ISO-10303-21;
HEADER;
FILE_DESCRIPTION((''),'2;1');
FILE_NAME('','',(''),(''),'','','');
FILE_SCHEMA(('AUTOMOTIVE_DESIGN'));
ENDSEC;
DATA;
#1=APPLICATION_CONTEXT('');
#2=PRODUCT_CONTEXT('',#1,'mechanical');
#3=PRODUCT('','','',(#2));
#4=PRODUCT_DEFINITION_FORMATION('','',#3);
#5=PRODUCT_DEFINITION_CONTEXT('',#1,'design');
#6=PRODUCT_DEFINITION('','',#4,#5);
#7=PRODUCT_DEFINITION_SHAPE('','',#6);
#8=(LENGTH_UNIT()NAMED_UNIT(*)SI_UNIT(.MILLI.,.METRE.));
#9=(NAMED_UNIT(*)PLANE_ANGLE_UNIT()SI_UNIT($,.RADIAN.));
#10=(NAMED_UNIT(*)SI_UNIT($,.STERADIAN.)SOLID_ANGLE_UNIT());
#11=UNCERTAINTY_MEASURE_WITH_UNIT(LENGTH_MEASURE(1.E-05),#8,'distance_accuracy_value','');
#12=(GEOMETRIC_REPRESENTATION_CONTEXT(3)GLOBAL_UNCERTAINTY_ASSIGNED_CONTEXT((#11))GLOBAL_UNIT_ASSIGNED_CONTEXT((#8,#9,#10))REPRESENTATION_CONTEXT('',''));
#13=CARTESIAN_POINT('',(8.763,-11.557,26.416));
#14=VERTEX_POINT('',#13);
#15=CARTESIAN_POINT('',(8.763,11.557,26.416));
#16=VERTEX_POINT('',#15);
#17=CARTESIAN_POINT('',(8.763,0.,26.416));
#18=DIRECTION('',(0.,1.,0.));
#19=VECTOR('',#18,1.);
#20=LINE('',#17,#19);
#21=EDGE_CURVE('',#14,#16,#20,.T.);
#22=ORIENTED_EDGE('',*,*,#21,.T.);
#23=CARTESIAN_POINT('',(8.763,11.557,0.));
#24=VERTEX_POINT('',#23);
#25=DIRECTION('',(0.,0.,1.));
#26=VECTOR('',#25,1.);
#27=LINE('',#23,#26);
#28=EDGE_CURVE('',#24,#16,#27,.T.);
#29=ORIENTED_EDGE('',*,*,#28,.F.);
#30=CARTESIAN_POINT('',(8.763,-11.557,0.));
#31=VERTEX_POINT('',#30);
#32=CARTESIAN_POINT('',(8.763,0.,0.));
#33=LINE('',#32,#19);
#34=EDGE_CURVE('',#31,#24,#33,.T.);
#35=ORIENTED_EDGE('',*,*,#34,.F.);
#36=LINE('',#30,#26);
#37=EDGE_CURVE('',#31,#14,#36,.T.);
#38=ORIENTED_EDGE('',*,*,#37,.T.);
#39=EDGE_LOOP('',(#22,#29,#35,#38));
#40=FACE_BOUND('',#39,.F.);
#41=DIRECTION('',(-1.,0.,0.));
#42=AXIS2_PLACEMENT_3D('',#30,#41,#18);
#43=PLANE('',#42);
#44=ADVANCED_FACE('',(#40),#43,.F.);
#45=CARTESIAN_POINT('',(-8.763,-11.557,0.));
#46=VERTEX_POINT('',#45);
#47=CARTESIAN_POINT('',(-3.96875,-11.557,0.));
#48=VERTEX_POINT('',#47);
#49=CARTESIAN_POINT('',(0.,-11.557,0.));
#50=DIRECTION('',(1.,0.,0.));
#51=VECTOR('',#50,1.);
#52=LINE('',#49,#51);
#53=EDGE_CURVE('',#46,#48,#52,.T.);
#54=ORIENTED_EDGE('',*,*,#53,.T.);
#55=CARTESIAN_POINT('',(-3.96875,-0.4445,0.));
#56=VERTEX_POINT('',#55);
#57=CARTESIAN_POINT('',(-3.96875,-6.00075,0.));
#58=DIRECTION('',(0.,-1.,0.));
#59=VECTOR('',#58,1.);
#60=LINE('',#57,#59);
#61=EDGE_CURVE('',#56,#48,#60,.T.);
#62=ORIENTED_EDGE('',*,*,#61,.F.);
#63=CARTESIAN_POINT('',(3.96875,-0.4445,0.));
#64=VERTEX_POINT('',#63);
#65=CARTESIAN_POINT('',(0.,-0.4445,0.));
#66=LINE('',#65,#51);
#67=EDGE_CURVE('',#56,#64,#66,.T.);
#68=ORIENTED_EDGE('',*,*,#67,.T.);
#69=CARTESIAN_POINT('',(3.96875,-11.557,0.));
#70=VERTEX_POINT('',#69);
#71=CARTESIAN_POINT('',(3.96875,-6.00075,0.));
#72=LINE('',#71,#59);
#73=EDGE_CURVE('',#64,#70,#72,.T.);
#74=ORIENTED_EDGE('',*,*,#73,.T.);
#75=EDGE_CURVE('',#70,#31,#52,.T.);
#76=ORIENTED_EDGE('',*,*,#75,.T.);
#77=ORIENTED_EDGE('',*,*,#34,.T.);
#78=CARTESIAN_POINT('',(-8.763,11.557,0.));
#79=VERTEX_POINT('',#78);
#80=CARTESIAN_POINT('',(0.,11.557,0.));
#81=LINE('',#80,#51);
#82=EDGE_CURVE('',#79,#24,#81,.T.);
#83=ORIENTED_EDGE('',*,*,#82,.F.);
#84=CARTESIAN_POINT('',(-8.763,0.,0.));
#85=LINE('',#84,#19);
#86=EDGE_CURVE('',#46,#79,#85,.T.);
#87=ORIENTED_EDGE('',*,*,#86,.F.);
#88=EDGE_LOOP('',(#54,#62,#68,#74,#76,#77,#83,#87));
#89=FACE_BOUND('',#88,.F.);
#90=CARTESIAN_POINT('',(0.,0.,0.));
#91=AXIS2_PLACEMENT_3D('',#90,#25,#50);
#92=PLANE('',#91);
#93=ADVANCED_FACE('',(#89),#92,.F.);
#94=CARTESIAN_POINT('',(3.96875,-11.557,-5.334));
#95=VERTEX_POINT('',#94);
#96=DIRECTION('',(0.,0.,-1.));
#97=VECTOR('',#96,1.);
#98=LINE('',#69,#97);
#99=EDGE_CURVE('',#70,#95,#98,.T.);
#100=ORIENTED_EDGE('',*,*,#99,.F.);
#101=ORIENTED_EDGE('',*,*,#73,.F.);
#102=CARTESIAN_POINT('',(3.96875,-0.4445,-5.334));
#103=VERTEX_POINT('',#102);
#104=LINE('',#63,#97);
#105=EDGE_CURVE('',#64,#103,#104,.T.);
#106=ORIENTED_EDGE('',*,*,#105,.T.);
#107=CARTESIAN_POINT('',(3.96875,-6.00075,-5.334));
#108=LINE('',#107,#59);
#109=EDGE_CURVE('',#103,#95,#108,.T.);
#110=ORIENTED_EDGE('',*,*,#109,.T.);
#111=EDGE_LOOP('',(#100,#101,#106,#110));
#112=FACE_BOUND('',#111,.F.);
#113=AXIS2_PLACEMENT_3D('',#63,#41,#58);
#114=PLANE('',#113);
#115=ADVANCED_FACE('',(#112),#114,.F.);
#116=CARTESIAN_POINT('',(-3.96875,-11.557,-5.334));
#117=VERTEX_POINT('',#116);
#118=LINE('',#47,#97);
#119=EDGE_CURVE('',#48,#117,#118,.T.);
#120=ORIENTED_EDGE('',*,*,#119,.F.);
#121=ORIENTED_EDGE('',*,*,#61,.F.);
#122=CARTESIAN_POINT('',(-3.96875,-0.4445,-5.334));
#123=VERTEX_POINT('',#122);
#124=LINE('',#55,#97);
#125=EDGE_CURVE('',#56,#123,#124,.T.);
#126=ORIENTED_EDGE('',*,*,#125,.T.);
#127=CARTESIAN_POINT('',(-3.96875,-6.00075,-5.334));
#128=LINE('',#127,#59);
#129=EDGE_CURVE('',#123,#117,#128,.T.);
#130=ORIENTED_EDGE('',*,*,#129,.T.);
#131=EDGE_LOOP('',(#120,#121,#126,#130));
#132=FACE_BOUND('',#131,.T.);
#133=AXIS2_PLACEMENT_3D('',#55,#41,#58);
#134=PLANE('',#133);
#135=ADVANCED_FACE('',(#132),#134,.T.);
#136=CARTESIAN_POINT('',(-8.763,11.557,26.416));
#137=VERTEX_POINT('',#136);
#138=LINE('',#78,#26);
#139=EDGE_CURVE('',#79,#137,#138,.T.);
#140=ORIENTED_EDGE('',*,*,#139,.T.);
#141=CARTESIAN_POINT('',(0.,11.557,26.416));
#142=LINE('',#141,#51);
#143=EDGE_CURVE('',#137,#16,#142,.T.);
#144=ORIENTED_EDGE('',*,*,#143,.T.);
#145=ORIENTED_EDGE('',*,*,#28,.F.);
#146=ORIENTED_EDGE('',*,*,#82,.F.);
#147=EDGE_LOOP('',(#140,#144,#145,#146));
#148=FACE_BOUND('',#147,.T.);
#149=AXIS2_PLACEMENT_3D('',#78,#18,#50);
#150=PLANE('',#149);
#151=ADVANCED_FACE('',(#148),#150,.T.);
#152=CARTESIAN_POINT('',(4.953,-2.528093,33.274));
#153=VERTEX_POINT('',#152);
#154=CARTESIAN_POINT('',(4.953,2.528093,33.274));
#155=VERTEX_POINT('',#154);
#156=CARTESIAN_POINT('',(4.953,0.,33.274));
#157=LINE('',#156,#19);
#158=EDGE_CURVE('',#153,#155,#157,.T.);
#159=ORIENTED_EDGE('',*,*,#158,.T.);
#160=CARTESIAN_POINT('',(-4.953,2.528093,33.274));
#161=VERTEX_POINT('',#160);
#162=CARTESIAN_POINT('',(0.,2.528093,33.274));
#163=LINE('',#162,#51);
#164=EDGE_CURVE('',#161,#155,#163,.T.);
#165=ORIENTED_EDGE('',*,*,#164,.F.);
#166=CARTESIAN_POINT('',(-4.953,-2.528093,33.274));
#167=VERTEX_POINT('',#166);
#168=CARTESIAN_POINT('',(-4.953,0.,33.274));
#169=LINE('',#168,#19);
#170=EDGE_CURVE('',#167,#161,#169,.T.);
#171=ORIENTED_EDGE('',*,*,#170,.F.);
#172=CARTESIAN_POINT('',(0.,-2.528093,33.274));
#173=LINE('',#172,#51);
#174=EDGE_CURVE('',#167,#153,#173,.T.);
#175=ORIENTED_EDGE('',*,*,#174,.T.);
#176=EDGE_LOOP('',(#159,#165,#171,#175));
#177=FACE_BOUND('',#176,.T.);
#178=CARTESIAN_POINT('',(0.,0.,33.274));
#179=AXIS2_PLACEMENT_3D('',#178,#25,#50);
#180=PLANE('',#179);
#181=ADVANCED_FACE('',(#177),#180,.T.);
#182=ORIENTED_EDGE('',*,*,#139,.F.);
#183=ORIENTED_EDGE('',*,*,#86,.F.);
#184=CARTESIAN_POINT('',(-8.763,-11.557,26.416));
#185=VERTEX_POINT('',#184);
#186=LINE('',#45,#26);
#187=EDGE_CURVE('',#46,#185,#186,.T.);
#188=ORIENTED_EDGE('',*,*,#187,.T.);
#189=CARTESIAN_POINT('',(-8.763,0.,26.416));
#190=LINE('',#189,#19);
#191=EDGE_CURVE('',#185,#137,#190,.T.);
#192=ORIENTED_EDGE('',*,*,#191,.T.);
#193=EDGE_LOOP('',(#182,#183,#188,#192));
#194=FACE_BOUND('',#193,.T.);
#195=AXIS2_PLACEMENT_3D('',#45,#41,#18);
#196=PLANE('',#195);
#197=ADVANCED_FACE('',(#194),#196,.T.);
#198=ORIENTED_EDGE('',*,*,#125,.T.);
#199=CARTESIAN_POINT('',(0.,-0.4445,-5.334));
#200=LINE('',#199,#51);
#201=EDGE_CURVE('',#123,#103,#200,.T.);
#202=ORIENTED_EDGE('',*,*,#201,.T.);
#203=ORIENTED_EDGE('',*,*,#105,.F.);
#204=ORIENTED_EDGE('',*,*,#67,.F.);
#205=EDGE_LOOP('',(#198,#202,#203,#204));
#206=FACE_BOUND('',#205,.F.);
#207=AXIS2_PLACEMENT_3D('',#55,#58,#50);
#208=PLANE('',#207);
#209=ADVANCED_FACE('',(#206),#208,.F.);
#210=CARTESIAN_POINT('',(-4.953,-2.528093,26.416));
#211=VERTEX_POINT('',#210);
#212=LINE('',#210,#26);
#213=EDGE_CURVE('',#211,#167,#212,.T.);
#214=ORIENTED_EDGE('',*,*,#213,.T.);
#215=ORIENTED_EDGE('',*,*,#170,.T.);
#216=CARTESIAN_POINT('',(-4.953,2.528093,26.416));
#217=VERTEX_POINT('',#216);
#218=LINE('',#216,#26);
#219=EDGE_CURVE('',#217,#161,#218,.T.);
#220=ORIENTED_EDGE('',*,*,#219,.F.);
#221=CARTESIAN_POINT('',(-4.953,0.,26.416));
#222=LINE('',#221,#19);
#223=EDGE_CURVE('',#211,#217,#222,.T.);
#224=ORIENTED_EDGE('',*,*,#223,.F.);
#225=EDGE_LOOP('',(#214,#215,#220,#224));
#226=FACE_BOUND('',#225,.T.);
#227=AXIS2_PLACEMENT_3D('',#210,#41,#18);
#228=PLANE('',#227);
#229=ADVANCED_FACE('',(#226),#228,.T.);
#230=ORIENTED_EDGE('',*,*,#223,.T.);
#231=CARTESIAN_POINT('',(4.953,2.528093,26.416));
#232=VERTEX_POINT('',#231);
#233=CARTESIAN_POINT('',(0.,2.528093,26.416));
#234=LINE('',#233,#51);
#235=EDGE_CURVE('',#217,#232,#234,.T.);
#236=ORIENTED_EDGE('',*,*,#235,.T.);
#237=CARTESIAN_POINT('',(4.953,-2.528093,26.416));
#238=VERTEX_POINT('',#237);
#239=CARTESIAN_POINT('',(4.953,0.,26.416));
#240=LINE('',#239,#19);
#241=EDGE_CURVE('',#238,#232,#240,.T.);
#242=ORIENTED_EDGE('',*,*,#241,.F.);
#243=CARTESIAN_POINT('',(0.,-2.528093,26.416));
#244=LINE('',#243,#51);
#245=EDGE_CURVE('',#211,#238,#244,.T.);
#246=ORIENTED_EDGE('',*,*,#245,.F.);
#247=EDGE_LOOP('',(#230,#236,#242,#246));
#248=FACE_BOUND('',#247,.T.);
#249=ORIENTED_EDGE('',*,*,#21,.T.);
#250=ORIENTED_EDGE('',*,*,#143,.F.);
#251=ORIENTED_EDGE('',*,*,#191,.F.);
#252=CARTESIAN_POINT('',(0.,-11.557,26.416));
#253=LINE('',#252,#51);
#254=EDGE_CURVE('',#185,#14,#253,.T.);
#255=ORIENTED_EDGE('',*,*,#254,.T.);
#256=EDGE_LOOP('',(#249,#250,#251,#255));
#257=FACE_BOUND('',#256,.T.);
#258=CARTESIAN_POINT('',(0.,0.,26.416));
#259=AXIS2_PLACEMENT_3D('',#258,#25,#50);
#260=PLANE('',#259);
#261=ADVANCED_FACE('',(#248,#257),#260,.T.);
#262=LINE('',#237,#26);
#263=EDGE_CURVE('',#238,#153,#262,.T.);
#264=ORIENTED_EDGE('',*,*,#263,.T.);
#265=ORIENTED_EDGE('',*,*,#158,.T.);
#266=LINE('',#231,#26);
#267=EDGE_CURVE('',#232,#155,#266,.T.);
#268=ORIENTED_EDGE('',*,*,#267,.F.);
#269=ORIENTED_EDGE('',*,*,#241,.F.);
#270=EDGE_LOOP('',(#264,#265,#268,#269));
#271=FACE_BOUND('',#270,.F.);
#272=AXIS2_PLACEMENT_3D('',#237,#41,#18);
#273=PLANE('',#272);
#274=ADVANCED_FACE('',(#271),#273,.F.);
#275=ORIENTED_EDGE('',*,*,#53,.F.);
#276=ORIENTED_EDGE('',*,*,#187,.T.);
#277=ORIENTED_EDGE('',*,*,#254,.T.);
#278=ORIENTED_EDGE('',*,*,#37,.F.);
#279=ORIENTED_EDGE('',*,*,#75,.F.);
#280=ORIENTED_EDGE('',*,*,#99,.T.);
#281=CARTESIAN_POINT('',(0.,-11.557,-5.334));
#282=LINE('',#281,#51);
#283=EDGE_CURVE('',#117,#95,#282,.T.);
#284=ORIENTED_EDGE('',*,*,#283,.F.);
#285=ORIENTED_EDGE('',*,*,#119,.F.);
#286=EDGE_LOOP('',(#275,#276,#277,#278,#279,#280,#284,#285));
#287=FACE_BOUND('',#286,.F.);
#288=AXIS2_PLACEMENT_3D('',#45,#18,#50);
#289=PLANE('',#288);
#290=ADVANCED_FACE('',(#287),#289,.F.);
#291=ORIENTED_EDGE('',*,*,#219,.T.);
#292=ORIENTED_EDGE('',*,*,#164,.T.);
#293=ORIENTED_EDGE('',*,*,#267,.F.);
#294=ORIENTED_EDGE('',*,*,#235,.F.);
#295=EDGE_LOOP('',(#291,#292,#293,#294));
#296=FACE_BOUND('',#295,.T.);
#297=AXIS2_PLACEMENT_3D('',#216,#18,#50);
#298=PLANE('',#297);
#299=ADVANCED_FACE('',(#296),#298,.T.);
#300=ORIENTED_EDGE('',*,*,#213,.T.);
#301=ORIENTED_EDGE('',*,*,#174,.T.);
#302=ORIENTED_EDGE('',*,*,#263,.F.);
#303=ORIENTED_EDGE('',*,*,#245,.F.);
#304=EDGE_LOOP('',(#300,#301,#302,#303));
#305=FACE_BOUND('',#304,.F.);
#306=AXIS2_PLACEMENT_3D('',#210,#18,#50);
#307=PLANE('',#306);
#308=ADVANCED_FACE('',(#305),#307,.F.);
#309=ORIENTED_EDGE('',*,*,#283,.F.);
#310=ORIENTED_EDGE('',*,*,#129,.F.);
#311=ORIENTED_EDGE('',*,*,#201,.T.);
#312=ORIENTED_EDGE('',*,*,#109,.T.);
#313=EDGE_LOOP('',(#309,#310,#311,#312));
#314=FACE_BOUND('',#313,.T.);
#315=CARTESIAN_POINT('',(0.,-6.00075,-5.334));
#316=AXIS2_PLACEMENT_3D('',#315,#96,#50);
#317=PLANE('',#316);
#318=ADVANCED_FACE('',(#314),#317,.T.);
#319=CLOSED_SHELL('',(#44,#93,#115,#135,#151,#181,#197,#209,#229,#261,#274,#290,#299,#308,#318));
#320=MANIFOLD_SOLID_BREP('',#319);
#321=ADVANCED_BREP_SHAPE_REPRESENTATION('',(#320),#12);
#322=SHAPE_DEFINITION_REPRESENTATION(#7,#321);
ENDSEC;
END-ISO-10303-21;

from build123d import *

# Parameters (mm, degrees)
F0_W     = 17.526
F0_H     = 23.114
F1_DEPTH = 26.416
F2_W     = 9.906
F2_H     = 5.056186
F3_DEPTH = 6.858
F4_W     = 7.9375
F4_H     = 11.1125
F5_DEPTH = 5.334


with BuildPart() as f1:
    # F0 (on Top) → F1 (new body)
    with BuildSketch(Plane.XY):
        Rectangle(F0_W, F0_H)
    extrude(amount=F1_DEPTH)

    # F2 (on face) → F3 (join)
    with BuildSketch(Plane.XY.offset(26.416)):
        Rectangle(F2_W, F2_H)
    extrude(amount=F3_DEPTH)

    # F4 (on face) → F5 (join)
    with BuildSketch(Plane(origin=(0, 0, 0), x_dir=(1, 0, 0), z_dir=(0, 0, -1))):
        with Locations((0, 6.00075)):
            Rectangle(F4_W, F4_H)
    extrude(amount=F5_DEPTH)


solid = f1.part
